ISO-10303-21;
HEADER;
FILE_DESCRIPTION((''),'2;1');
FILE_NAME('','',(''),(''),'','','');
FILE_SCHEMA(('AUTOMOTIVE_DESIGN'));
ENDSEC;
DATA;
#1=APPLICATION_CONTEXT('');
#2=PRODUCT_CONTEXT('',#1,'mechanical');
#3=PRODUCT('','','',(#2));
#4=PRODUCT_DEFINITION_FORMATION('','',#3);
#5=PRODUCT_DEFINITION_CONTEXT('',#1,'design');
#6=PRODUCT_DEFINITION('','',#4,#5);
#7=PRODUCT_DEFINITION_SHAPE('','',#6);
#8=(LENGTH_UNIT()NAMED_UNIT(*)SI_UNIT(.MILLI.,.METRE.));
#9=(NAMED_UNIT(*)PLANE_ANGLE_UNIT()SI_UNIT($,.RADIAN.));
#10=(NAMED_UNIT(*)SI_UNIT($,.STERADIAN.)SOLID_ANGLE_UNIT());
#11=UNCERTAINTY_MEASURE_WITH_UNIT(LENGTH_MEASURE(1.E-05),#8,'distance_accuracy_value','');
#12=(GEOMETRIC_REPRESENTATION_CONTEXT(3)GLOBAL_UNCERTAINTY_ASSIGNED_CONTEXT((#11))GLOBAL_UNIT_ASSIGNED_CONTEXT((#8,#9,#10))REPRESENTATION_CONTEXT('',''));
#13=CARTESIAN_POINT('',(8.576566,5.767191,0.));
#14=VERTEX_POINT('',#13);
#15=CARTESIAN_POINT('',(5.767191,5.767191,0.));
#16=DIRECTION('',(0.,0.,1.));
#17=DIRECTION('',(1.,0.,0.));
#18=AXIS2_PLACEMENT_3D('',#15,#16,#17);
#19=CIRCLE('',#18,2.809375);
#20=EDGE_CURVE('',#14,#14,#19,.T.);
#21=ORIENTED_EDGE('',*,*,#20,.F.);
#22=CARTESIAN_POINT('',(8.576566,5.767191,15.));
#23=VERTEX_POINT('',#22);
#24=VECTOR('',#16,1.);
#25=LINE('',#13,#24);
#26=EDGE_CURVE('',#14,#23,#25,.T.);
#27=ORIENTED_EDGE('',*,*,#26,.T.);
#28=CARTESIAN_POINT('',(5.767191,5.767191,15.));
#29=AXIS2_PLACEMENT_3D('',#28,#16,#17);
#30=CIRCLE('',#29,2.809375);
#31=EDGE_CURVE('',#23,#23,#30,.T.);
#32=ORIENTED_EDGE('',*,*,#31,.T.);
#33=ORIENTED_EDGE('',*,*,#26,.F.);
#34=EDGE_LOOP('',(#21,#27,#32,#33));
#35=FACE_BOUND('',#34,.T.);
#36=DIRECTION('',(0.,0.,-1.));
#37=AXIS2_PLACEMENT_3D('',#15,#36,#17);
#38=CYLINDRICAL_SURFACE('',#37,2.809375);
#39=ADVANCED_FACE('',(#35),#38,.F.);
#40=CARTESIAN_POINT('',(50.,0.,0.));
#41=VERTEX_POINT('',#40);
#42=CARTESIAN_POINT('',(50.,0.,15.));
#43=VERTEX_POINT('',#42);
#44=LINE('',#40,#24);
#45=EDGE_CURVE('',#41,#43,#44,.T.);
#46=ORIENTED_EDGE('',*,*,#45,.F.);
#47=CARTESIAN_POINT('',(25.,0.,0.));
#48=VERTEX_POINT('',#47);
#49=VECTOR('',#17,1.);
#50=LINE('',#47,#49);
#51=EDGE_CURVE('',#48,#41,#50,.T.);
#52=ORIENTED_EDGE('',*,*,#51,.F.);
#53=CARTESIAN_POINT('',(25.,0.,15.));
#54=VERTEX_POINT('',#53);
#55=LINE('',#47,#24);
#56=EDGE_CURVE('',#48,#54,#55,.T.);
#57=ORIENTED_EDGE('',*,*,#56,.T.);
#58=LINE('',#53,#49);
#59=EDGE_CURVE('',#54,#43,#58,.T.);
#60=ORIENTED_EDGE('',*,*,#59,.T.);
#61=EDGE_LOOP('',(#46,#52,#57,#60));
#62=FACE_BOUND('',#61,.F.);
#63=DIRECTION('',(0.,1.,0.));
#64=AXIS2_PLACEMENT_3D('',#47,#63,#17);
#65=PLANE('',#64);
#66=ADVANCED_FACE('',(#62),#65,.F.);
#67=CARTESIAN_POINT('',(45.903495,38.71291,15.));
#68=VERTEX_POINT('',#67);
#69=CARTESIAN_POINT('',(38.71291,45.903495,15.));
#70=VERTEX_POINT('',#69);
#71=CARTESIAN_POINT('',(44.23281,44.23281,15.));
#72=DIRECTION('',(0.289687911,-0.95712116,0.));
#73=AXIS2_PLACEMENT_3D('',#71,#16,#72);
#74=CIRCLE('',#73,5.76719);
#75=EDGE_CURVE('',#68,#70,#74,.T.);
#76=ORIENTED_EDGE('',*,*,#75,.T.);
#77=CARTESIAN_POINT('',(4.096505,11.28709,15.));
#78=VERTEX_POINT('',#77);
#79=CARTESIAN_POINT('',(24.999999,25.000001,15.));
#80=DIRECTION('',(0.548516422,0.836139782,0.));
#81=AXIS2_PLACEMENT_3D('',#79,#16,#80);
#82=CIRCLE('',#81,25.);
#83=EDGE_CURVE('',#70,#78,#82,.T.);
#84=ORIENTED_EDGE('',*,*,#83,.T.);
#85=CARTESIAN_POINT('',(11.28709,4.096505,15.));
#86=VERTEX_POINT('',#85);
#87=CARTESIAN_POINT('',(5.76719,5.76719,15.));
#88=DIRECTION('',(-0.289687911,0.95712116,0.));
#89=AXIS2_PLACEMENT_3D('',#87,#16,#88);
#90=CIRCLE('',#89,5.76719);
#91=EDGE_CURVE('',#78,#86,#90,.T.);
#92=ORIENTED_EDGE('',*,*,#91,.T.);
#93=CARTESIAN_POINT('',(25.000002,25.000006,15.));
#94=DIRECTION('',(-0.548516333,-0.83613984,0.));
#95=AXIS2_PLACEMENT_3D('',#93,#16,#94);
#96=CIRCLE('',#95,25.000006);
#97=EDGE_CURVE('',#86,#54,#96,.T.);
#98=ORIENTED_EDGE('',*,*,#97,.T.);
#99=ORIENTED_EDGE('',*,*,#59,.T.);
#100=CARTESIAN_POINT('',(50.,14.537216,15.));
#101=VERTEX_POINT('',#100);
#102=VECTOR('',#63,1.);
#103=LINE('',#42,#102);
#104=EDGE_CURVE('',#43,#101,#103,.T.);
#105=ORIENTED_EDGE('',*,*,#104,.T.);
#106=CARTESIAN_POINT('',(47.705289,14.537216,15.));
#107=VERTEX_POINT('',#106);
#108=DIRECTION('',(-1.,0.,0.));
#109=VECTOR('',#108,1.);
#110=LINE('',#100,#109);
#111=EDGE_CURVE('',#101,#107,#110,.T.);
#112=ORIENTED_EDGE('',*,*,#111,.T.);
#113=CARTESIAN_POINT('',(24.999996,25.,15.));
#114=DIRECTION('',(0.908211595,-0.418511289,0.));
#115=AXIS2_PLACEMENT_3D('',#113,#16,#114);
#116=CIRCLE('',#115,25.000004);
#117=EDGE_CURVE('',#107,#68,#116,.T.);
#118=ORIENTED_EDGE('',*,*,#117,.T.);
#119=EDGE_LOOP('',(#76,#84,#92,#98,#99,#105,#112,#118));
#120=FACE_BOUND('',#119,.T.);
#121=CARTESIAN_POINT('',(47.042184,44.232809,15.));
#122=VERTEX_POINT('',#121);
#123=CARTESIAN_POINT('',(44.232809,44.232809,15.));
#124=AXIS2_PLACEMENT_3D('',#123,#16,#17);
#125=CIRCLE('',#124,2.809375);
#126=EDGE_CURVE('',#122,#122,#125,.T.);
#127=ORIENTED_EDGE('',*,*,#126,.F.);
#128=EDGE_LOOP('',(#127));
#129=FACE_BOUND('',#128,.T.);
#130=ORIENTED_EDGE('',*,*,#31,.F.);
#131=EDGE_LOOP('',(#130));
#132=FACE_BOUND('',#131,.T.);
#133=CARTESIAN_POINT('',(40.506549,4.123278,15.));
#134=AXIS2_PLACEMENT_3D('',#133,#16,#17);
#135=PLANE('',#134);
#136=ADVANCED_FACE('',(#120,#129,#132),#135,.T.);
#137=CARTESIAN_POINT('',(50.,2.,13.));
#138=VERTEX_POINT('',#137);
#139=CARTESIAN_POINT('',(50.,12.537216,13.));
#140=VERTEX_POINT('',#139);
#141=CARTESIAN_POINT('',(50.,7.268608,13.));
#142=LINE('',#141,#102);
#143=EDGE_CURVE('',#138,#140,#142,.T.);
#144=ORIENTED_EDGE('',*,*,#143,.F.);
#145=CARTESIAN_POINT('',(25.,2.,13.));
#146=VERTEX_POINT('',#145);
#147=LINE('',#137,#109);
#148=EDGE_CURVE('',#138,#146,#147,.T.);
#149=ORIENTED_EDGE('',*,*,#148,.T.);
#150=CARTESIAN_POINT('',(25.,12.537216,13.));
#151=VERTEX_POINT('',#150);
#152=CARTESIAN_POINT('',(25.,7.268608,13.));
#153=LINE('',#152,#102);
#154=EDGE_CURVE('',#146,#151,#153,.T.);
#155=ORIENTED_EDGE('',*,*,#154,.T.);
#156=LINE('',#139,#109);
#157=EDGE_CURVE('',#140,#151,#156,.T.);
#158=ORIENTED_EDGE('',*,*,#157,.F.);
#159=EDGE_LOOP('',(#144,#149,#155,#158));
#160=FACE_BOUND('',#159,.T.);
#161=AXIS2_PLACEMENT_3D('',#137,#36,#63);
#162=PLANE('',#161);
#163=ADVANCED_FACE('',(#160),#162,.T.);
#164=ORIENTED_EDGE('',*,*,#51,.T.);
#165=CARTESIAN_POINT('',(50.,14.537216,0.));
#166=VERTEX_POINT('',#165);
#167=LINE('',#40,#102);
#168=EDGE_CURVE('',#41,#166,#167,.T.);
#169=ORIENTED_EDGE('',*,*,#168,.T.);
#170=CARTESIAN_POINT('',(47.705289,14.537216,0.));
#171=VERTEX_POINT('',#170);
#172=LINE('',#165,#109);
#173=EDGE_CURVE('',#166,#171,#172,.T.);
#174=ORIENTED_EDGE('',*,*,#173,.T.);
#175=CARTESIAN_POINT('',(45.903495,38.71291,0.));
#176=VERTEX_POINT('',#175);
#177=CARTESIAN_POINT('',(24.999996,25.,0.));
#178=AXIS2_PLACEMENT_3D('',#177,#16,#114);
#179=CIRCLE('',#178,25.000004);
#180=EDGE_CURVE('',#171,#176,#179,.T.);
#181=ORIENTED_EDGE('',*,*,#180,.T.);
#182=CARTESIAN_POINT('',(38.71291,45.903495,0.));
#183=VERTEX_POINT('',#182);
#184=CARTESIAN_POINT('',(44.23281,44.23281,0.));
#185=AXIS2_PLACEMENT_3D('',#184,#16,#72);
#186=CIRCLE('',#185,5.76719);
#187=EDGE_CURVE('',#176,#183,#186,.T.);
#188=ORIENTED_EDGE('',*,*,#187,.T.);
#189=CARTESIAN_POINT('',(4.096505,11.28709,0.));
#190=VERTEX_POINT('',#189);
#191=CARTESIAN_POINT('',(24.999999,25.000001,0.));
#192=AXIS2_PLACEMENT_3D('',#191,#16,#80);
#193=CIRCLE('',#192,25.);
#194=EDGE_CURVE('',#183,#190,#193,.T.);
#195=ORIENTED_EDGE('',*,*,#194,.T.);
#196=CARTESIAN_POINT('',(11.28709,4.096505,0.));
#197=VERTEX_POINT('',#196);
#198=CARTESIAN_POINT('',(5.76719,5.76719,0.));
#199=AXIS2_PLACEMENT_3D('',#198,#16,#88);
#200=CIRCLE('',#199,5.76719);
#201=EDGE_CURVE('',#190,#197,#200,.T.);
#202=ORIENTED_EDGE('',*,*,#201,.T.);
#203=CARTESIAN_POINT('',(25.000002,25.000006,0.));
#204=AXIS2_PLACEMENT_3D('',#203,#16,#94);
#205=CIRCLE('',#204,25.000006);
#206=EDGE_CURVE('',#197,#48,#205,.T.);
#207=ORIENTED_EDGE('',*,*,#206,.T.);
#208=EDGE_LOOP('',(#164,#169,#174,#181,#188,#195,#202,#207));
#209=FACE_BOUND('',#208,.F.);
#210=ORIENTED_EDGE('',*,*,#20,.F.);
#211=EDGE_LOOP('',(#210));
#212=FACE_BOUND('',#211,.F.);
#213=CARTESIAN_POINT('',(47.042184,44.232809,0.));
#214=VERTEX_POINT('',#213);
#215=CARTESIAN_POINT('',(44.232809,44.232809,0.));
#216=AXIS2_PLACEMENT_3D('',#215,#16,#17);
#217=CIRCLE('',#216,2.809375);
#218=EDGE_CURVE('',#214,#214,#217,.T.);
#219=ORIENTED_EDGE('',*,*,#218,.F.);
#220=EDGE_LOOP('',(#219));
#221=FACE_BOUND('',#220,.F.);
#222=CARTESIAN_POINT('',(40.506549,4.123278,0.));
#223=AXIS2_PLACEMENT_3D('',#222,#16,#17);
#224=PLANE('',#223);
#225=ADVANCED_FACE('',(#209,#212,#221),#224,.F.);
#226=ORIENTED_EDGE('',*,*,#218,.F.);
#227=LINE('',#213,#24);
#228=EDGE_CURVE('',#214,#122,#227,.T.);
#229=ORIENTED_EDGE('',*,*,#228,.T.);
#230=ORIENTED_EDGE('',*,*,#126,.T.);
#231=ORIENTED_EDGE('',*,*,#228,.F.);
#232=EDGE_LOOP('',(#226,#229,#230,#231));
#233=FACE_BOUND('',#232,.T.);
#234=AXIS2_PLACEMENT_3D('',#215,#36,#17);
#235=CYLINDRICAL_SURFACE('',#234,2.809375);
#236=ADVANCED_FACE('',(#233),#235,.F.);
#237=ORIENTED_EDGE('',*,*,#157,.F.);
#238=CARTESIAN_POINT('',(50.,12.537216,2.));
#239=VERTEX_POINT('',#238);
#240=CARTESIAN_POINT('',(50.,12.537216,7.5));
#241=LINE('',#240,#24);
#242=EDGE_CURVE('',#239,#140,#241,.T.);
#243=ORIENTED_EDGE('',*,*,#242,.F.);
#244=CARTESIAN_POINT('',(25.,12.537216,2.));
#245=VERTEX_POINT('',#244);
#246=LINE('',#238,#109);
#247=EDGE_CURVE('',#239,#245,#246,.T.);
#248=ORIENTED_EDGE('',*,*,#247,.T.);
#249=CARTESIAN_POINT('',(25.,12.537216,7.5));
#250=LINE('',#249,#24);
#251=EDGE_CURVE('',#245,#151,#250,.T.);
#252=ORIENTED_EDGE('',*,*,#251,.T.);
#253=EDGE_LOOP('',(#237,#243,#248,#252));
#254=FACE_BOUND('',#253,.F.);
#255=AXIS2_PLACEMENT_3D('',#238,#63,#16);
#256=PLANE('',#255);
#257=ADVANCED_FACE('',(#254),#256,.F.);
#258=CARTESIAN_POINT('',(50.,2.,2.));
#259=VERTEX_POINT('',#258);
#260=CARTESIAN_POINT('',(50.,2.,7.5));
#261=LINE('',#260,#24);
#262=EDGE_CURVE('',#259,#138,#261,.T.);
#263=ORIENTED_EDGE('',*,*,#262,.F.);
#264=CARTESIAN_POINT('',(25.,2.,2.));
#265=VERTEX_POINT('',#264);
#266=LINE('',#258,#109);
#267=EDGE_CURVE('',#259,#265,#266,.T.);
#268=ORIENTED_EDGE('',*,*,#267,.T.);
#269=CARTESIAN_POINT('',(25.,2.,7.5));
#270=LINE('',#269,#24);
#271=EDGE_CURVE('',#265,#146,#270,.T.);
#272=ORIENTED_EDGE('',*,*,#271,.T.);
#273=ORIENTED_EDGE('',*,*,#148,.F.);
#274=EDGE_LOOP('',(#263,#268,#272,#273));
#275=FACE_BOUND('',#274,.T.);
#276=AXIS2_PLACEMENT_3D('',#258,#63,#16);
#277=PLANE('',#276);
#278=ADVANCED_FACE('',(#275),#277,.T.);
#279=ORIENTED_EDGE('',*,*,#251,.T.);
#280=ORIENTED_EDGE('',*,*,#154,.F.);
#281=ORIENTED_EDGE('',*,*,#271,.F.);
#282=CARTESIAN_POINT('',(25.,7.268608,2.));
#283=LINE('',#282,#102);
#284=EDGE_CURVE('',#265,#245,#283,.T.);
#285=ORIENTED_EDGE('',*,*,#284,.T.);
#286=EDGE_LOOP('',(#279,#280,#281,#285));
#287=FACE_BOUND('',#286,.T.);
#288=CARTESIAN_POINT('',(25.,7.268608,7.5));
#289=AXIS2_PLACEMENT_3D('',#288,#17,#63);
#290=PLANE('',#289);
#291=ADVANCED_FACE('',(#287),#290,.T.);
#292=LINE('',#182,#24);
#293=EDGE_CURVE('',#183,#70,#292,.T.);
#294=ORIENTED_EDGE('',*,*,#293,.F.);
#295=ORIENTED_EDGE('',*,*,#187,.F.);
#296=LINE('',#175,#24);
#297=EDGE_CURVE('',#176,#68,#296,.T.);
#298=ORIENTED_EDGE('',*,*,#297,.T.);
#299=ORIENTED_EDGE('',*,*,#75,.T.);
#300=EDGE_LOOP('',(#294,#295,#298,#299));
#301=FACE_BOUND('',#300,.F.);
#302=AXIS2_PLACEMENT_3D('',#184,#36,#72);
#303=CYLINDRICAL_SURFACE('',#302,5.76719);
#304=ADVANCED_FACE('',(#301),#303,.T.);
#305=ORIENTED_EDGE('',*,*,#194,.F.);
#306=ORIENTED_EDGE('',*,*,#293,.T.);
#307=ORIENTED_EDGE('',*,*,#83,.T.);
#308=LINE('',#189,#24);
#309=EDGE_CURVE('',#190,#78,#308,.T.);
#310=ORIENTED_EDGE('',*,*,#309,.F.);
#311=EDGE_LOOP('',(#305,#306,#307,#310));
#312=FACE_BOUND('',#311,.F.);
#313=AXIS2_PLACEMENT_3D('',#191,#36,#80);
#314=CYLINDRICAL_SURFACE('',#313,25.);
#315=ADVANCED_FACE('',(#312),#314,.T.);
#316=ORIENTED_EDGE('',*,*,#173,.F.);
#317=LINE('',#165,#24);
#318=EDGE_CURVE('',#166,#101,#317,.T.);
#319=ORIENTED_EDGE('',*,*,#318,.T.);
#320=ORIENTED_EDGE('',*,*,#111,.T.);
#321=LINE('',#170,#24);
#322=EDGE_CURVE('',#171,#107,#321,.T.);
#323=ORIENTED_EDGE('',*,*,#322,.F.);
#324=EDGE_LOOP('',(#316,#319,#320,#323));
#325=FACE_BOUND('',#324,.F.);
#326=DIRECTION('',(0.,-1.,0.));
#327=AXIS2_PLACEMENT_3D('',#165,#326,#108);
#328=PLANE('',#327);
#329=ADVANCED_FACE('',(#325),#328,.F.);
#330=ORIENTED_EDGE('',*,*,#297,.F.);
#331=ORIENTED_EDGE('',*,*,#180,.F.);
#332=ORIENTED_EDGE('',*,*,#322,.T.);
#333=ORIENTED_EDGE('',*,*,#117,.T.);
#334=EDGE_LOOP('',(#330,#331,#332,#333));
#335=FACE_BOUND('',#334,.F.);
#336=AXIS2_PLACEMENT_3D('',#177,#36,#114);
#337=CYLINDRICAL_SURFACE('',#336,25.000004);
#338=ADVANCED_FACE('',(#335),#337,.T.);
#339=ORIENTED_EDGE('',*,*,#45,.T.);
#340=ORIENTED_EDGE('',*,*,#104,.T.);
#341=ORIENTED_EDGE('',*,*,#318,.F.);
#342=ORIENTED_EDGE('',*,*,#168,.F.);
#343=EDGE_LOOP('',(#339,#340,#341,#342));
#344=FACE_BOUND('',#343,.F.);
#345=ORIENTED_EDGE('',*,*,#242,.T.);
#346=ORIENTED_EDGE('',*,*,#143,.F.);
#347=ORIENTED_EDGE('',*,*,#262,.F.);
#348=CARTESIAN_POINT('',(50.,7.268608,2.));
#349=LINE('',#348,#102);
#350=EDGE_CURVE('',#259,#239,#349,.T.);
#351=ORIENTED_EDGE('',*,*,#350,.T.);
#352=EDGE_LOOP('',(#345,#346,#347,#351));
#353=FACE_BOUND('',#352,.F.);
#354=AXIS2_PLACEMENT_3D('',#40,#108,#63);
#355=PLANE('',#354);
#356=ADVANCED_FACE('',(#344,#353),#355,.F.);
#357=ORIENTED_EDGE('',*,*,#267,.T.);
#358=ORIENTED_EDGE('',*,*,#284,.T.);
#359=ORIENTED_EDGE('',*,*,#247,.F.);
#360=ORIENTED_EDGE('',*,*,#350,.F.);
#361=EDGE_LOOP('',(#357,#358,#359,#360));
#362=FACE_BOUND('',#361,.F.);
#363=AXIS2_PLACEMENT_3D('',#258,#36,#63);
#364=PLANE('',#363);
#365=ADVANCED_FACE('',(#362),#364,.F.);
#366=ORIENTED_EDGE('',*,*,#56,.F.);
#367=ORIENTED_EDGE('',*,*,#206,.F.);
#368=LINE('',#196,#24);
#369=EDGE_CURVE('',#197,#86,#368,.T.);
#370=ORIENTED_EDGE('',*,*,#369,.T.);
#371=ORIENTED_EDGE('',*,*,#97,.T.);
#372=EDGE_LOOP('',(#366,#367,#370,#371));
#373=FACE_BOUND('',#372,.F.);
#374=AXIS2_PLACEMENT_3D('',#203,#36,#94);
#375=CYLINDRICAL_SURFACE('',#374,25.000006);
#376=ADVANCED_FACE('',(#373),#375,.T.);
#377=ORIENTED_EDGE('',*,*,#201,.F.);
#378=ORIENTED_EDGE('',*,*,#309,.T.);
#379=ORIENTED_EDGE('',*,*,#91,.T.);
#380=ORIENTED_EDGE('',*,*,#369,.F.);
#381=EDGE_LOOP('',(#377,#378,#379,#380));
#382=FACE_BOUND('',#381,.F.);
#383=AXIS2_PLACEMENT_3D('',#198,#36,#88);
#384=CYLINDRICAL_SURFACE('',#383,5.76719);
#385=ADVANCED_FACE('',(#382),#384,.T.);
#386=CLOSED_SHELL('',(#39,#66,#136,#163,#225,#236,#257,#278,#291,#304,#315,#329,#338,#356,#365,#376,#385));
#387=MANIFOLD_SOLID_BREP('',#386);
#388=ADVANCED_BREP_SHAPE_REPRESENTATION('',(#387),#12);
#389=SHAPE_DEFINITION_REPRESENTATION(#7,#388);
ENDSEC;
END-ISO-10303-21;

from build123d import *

# Parameters (mm, degrees)
F0_R     = 2.809375
F1_DEPTH = 15
F2_W     = 10.537216
F2_H     = 11
F3_DEPTH = 25


with BuildPart() as f1:
    # F0 (on Top) → F1 (new body)
    with BuildSketch(Plane.XY):
        with BuildLine():
            ThreePointArc((47.705289, 14.537216), (38.480178, 3.94567), (25, 0))
            Line((25, 0), (50, 0))
            Line((50, 0), (50, 14.537216))
            Line((50, 14.537216), (47.705289, 14.537216))
        make_face()
        with BuildLine():
            ThreePointArc((11.28709, 4.096505), (17.844142, 1.046009), (25, 0))
            ThreePointArc((25, 0), (38.480178, 3.94567), (47.705289, 14.537216))
            ThreePointArc((47.705289, 14.537216), (49.930855, 26.858075), (45.903495, 38.71291))
            ThreePointArc((45.903495, 38.71291), (48.310829, 48.310829), (38.71291, 45.903495))
            ThreePointArc((38.71291, 45.903495), (7.32233, 42.67767), (4.096505, 11.28709))
            ThreePointArc((4.096505, 11.28709), (1.689171, 1.689171), (11.28709, 4.096505))
        make_face()
        with Locations((5.767191, 5.767191)):
            Circle(F0_R, mode=Mode.SUBTRACT)
        with Locations((44.232809, 44.232809)):
            Circle(F0_R, mode=Mode.SUBTRACT)
    extrude(amount=F1_DEPTH)

    # F2 (on face) → F3 (cut)
    with BuildSketch(Plane.YZ.offset(50)):
        with Locations((7.268608, 7.5)):
            Rectangle(F2_W, F2_H)
    extrude(amount=-F3_DEPTH, mode=Mode.SUBTRACT)


solid = f1.part
